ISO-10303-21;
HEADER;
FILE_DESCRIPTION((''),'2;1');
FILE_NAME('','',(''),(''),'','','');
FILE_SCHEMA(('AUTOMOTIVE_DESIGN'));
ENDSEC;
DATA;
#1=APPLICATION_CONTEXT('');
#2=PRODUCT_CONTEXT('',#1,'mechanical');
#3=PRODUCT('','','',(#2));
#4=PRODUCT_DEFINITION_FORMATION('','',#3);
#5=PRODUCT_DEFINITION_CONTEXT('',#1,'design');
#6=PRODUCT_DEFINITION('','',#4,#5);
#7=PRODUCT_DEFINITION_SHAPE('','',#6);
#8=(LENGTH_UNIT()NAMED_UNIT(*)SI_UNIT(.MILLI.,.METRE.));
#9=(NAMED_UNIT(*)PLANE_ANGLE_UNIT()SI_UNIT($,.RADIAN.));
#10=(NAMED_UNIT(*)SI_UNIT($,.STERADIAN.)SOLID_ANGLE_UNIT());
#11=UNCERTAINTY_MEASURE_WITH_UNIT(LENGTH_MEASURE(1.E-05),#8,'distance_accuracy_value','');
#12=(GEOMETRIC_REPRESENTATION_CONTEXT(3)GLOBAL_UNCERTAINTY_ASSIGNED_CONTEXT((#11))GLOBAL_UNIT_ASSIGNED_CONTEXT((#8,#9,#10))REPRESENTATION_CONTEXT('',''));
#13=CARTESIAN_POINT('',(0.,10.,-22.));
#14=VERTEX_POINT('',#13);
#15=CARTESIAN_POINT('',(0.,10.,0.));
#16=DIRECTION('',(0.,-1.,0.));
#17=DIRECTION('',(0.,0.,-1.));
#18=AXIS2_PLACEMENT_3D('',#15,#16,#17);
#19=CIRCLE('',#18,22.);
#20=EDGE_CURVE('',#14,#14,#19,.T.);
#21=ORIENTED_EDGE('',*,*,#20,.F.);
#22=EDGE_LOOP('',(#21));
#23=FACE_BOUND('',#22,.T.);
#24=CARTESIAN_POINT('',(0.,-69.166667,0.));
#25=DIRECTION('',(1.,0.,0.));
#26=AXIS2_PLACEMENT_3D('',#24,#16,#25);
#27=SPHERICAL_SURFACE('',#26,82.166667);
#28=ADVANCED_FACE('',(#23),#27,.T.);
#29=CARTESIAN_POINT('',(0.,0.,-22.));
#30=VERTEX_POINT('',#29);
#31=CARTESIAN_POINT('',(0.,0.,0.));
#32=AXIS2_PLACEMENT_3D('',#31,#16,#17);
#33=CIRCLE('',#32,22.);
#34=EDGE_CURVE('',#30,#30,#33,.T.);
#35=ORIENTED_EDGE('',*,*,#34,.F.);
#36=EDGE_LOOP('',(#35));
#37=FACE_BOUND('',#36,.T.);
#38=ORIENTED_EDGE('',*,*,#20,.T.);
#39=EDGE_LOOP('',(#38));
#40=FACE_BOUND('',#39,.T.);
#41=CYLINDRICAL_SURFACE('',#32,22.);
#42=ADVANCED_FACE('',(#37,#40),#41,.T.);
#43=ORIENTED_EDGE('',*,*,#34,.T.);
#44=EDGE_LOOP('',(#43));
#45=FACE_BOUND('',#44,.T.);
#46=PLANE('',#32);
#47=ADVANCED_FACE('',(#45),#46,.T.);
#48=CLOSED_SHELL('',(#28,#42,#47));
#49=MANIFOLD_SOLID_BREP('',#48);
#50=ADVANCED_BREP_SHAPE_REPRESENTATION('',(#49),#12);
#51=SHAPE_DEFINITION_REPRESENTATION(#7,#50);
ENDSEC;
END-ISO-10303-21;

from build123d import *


with BuildPart() as part:
    # Sketch1 → Revolve1 (revolve)
    with BuildSketch(Plane.XY):
        with BuildLine():
            Line((0, 0), (22, 0))
            Line((22, 0), (22, 10))
            ThreePointArc((22, 10), (11.101801656, 12.246545474), (0, 13))
            Line((0, 13), (0, 0))
        make_face()
    revolve(axis=Axis((0, 0, 0), (0, 1, 0)))


solid = part.part
